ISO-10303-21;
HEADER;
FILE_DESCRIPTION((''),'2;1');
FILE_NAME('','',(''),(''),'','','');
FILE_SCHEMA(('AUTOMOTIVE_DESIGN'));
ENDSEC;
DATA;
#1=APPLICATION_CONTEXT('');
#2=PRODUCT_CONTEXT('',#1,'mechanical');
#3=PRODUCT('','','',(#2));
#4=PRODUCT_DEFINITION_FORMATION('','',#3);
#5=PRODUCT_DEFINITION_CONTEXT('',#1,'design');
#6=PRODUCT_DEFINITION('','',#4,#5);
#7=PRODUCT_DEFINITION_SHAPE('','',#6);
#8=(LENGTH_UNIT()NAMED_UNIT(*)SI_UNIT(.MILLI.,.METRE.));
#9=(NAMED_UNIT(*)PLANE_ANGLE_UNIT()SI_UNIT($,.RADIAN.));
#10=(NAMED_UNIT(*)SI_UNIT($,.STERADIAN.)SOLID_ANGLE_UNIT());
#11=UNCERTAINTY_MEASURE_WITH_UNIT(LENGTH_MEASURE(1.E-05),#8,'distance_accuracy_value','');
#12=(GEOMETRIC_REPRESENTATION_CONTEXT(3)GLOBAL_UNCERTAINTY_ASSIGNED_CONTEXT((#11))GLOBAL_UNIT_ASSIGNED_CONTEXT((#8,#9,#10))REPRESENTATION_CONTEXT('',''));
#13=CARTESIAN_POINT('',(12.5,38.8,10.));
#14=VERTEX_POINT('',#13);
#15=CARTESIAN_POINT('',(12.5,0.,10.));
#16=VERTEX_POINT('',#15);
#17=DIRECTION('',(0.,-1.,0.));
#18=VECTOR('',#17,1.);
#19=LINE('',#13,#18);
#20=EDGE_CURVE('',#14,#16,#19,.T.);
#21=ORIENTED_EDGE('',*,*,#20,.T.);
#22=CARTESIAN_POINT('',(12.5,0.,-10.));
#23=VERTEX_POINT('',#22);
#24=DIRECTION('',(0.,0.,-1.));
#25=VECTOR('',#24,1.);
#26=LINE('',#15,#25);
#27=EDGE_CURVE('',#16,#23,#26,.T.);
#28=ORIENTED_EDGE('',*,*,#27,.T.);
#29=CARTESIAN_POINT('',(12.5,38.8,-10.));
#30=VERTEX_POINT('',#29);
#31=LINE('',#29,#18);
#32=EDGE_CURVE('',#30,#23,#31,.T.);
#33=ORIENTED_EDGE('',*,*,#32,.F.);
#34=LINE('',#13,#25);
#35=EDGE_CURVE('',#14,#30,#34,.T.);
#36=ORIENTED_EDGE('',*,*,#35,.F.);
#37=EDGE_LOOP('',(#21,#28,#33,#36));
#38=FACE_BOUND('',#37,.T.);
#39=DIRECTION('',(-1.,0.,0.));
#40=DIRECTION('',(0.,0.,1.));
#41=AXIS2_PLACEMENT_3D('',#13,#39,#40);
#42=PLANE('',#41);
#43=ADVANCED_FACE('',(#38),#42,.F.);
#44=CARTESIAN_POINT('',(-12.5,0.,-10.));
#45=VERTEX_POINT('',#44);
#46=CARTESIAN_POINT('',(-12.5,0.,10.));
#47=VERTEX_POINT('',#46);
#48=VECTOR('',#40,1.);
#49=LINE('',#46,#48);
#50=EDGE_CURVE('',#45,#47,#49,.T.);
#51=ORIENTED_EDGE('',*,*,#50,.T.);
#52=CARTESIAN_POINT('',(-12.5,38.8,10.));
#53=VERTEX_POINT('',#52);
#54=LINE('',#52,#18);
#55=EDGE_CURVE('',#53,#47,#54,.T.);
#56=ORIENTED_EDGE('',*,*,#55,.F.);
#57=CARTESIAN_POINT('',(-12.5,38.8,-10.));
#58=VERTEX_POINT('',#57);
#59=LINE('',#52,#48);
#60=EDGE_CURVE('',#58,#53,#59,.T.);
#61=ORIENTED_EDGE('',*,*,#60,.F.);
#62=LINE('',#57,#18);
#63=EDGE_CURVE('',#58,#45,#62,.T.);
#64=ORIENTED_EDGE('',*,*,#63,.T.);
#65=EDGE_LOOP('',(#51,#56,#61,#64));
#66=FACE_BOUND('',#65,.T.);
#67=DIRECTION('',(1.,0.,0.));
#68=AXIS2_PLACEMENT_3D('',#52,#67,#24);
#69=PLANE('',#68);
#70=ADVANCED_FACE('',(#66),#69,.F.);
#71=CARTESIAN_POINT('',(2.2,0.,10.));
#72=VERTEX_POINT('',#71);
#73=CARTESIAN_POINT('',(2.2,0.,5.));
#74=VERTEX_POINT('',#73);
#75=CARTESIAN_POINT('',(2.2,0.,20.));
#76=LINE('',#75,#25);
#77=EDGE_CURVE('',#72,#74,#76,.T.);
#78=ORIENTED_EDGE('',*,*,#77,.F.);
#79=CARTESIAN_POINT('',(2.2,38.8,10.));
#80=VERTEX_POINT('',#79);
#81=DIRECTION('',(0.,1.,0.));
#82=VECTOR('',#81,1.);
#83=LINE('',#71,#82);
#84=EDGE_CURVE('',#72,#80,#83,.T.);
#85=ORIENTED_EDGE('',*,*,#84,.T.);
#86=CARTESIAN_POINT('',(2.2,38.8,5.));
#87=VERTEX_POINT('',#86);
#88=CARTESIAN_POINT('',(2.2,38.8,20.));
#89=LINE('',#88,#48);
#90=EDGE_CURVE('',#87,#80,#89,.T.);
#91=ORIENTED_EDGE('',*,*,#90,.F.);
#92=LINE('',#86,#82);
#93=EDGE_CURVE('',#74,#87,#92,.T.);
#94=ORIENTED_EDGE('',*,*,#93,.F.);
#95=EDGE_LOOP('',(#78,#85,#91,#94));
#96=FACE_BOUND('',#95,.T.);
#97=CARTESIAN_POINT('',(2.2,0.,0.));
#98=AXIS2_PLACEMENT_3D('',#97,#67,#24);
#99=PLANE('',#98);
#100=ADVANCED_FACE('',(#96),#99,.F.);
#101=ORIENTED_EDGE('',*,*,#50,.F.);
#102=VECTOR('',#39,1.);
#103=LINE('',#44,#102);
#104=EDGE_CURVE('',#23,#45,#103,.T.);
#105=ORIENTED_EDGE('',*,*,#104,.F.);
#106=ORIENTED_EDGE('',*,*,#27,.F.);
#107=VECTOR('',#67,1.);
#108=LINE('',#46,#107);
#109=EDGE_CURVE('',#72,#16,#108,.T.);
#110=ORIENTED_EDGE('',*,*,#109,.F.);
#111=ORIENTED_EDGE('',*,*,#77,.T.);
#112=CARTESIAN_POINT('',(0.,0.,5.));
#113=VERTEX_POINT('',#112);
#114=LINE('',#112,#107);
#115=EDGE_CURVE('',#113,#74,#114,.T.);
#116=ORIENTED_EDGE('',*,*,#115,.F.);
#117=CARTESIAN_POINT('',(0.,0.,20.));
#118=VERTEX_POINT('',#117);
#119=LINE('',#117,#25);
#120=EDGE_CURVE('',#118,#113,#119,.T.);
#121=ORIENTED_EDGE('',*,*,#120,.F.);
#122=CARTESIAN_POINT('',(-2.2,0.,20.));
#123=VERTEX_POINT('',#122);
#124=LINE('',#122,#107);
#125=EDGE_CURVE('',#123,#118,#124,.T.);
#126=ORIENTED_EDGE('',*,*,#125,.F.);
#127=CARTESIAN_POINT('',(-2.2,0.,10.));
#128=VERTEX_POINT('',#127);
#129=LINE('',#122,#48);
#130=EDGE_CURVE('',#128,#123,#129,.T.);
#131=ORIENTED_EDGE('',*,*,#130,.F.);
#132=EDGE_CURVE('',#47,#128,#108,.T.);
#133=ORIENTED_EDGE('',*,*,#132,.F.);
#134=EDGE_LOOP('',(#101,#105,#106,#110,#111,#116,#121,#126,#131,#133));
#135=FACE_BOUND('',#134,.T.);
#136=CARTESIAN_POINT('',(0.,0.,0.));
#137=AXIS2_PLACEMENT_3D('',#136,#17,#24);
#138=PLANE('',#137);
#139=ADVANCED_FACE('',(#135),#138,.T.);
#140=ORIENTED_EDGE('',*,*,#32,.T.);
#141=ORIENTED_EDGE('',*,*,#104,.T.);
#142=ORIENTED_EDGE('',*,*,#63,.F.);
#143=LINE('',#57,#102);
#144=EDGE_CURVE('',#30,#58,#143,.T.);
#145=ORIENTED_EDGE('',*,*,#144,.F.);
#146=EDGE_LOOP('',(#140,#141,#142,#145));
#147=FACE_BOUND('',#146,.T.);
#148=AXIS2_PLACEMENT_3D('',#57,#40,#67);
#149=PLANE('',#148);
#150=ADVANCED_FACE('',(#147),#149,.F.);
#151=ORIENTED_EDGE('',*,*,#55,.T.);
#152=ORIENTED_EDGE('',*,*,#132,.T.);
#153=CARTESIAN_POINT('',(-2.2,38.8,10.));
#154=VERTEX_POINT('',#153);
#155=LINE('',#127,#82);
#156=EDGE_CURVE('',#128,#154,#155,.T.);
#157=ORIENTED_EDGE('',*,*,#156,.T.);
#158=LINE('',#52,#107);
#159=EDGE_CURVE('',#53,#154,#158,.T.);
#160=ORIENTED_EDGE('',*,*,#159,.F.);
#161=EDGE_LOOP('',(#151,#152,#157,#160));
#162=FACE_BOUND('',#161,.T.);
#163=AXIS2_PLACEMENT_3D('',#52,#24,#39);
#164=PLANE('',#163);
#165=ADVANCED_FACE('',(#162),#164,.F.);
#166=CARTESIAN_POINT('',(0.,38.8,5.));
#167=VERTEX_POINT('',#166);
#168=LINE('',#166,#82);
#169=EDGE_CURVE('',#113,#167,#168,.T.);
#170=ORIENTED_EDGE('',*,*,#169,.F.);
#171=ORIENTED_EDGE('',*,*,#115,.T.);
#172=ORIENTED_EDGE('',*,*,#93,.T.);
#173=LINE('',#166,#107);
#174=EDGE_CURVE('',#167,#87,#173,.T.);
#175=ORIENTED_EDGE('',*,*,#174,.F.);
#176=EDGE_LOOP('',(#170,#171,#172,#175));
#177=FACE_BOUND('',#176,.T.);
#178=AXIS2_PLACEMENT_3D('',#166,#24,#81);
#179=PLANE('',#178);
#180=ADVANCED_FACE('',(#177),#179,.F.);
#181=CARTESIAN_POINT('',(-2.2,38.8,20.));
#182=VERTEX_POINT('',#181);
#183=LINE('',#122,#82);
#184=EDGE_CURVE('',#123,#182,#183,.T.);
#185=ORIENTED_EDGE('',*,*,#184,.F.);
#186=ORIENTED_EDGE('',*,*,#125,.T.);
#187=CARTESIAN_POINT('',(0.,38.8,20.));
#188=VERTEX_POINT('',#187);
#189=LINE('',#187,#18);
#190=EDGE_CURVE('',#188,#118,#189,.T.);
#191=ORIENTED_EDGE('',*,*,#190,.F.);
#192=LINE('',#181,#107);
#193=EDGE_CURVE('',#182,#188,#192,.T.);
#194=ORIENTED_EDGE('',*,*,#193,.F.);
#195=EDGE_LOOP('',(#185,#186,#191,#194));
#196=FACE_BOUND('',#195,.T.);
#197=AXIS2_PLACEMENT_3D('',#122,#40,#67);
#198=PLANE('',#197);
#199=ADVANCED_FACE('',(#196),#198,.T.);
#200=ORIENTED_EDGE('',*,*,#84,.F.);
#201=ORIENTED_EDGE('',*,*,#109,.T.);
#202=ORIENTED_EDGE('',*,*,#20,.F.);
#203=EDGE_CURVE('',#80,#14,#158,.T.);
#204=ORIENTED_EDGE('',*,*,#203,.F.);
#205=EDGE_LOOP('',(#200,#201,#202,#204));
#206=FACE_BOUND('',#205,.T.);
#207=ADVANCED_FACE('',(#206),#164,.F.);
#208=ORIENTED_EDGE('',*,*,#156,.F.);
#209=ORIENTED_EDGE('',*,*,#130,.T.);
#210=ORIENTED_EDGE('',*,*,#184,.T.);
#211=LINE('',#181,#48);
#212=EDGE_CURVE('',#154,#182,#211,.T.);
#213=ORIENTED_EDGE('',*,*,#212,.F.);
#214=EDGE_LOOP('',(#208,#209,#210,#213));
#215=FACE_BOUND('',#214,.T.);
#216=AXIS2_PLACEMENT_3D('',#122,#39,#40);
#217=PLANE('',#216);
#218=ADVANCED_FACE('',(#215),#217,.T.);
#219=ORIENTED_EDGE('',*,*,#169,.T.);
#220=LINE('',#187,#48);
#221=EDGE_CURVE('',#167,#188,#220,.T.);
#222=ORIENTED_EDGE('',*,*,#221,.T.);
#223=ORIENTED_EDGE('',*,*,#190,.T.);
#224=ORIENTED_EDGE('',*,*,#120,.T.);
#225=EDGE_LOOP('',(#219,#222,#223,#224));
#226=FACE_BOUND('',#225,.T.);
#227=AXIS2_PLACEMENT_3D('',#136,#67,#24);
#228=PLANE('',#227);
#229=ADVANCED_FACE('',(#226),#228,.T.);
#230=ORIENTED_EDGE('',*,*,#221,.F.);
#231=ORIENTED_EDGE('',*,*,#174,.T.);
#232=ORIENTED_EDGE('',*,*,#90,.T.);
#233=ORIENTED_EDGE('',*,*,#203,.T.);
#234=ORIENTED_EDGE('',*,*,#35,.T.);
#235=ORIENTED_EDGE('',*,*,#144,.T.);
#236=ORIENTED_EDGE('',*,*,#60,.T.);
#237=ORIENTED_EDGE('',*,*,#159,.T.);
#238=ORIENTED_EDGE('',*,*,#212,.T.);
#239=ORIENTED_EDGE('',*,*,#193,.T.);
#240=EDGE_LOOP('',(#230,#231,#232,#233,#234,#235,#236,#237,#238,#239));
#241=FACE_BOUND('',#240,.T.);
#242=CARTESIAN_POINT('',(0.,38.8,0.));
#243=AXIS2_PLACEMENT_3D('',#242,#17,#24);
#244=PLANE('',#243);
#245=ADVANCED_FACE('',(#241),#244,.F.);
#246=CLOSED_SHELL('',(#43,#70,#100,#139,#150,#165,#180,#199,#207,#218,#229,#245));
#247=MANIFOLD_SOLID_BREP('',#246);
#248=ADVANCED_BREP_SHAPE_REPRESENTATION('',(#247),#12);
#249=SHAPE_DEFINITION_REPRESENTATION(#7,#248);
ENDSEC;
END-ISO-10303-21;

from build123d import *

# Parameters (mm, degrees)
SKETCH_1_W          = 25
SKETCH_1_H          = 20
EXTRUDE_1_DEPTH     = 38.8
SKETCH_3_W          = 4.4
SKETCH_3_H          = 10
EXTRUDE_2_DEPTH     = 38.8
SKETCH_5_W          = 15
SKETCH_5_H          = 38.8
CUT_EXTRUDE_2_DEPTH = 2.2


with BuildPart() as part:
    # 草圖1 → 填料-伸長1 (new body)
    with BuildSketch(Plane(origin=(0, 0, 0), x_dir=(1, 0, 0), z_dir=(0, 1, 0))):
        Rectangle(SKETCH_1_W, SKETCH_1_H)
    extrude(amount=EXTRUDE_1_DEPTH)

    # 草圖3 → 填料-伸長2 (add)
    with BuildSketch(Plane(origin=(0, 38.8, 0), x_dir=(1, 0, 0), z_dir=(0, 1, 0))):
        with Locations((0, -15)):
            Rectangle(SKETCH_3_W, SKETCH_3_H)
    extrude(amount=-EXTRUDE_2_DEPTH)

    # 草圖5 → 除料-伸長2 (cut)
    with BuildSketch(Plane(origin=(2.2, 0, 0), x_dir=(0, 0, -1), z_dir=(1, 0, 0))):
        with Locations((-12.5, 19.4)):
            Rectangle(SKETCH_5_W, SKETCH_5_H)
    extrude(amount=-CUT_EXTRUDE_2_DEPTH, mode=Mode.SUBTRACT)


solid = part.part
